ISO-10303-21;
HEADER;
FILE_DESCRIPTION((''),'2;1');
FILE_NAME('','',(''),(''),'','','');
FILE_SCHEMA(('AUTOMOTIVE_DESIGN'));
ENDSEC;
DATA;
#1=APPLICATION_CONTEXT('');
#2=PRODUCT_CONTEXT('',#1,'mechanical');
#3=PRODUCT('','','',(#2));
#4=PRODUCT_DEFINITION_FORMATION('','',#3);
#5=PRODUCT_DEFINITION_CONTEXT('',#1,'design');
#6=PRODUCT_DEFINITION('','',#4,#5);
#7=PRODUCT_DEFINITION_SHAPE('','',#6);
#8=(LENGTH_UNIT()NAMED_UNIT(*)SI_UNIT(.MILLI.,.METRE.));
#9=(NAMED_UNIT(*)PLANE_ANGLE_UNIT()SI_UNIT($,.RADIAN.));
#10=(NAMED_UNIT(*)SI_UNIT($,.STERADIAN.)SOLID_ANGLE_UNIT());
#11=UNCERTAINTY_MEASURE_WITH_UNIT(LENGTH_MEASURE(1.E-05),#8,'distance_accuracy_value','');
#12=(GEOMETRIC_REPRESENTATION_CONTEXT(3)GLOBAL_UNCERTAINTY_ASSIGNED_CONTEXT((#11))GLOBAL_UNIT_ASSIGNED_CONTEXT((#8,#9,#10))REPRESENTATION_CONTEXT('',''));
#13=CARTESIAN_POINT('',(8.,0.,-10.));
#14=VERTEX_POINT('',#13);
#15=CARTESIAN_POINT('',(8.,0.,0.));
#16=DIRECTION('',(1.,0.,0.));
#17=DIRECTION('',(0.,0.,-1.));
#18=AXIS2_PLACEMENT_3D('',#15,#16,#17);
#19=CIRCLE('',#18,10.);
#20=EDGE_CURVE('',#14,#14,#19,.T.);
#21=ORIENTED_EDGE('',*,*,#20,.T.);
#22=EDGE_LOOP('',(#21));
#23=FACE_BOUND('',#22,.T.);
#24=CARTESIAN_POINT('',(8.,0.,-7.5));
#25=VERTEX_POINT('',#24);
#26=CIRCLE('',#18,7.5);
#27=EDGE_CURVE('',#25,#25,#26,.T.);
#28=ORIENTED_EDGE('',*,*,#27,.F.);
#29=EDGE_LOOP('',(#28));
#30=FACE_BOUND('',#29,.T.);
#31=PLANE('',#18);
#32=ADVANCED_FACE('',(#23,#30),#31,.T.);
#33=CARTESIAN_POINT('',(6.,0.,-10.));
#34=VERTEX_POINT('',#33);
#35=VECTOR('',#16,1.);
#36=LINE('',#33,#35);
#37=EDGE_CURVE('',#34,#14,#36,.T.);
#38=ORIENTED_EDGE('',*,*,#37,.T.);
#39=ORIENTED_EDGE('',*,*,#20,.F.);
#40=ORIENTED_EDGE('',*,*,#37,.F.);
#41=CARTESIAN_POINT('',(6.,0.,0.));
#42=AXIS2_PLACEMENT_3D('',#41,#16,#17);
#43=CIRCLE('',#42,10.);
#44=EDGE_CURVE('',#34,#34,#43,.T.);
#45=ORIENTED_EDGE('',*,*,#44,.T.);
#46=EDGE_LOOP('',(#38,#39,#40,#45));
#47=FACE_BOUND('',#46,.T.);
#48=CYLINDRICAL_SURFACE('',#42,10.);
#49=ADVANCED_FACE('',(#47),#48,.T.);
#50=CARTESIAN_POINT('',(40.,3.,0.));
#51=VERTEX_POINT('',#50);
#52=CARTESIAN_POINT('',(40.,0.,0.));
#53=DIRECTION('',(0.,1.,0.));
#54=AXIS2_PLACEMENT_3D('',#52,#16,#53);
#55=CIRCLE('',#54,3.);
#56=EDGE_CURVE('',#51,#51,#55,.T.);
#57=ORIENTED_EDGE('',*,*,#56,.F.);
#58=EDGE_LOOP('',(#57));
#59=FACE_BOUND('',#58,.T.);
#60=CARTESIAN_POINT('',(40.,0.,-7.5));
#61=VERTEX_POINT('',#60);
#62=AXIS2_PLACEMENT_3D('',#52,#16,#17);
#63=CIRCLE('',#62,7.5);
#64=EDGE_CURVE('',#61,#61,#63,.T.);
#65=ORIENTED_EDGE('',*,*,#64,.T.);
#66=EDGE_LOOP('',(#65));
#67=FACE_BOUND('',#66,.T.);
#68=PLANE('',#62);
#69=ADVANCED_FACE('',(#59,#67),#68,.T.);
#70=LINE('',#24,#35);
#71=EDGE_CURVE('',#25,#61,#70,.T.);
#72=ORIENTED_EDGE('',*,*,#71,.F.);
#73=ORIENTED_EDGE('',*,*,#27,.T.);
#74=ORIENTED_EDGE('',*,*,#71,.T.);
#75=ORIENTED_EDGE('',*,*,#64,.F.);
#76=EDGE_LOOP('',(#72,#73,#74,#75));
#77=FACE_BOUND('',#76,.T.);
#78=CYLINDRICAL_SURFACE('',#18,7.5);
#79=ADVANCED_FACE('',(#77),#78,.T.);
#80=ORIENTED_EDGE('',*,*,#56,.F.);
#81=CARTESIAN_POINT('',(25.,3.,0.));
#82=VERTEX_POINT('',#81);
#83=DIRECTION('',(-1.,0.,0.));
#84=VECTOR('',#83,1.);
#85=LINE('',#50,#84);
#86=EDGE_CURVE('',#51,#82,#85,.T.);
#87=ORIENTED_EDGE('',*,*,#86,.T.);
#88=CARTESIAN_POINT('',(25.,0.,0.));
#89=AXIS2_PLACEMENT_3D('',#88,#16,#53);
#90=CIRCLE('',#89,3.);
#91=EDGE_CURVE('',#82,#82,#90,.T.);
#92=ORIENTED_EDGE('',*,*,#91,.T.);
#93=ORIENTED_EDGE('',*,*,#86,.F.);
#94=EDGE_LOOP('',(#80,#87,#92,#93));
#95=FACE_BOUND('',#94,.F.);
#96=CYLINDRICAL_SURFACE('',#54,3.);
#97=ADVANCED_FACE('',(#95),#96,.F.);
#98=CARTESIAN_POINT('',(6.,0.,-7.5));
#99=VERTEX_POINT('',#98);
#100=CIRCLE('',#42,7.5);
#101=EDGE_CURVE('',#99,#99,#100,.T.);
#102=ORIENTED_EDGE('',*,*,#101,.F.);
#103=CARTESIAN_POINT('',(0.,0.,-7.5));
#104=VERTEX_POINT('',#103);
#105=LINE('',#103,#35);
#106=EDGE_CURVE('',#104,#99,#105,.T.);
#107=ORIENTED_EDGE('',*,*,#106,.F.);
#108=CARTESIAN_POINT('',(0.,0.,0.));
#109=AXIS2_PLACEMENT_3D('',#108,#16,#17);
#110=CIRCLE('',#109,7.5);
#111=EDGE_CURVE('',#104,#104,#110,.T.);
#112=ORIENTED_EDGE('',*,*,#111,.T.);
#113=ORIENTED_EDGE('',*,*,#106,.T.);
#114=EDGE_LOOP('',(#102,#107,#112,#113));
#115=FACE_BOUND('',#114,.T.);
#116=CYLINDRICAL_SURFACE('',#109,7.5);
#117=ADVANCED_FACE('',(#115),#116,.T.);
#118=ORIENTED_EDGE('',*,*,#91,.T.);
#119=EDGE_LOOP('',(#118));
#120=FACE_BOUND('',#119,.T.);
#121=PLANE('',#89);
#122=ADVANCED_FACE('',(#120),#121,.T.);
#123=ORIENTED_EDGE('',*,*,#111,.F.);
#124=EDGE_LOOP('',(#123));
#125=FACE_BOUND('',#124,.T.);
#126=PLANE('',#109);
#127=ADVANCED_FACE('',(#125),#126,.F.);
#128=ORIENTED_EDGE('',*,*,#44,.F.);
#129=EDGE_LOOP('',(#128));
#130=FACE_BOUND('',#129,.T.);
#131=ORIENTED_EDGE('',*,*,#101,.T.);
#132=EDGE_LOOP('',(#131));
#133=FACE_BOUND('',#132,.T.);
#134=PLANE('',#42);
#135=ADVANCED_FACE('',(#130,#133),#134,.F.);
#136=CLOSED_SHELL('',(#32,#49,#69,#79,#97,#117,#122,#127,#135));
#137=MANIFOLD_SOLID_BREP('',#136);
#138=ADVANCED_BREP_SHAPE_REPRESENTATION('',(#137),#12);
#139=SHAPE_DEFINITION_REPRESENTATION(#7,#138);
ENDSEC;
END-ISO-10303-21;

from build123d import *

# Parameters (mm, degrees)
F2_R     = 3
F3_DEPTH = 15


with BuildPart() as f1:
    # F0 (on Front) → F1 (revolve)
    with BuildSketch(Plane.XZ):
        Polygon((40, 0), (0, 0), (0, -7.5), (6, -7.5), (6, -10), (8, -10), (8, -7.5), (40, -7.5), align=None)
    revolve(axis=Axis((20, 0, 0), (1, 0, 0)))

    # F2 (on face) → F3 (cut)
    with BuildSketch(Plane.YZ.offset(40)):
        Circle(F2_R)
    extrude(amount=-F3_DEPTH, mode=Mode.SUBTRACT)


solid = f1.part
